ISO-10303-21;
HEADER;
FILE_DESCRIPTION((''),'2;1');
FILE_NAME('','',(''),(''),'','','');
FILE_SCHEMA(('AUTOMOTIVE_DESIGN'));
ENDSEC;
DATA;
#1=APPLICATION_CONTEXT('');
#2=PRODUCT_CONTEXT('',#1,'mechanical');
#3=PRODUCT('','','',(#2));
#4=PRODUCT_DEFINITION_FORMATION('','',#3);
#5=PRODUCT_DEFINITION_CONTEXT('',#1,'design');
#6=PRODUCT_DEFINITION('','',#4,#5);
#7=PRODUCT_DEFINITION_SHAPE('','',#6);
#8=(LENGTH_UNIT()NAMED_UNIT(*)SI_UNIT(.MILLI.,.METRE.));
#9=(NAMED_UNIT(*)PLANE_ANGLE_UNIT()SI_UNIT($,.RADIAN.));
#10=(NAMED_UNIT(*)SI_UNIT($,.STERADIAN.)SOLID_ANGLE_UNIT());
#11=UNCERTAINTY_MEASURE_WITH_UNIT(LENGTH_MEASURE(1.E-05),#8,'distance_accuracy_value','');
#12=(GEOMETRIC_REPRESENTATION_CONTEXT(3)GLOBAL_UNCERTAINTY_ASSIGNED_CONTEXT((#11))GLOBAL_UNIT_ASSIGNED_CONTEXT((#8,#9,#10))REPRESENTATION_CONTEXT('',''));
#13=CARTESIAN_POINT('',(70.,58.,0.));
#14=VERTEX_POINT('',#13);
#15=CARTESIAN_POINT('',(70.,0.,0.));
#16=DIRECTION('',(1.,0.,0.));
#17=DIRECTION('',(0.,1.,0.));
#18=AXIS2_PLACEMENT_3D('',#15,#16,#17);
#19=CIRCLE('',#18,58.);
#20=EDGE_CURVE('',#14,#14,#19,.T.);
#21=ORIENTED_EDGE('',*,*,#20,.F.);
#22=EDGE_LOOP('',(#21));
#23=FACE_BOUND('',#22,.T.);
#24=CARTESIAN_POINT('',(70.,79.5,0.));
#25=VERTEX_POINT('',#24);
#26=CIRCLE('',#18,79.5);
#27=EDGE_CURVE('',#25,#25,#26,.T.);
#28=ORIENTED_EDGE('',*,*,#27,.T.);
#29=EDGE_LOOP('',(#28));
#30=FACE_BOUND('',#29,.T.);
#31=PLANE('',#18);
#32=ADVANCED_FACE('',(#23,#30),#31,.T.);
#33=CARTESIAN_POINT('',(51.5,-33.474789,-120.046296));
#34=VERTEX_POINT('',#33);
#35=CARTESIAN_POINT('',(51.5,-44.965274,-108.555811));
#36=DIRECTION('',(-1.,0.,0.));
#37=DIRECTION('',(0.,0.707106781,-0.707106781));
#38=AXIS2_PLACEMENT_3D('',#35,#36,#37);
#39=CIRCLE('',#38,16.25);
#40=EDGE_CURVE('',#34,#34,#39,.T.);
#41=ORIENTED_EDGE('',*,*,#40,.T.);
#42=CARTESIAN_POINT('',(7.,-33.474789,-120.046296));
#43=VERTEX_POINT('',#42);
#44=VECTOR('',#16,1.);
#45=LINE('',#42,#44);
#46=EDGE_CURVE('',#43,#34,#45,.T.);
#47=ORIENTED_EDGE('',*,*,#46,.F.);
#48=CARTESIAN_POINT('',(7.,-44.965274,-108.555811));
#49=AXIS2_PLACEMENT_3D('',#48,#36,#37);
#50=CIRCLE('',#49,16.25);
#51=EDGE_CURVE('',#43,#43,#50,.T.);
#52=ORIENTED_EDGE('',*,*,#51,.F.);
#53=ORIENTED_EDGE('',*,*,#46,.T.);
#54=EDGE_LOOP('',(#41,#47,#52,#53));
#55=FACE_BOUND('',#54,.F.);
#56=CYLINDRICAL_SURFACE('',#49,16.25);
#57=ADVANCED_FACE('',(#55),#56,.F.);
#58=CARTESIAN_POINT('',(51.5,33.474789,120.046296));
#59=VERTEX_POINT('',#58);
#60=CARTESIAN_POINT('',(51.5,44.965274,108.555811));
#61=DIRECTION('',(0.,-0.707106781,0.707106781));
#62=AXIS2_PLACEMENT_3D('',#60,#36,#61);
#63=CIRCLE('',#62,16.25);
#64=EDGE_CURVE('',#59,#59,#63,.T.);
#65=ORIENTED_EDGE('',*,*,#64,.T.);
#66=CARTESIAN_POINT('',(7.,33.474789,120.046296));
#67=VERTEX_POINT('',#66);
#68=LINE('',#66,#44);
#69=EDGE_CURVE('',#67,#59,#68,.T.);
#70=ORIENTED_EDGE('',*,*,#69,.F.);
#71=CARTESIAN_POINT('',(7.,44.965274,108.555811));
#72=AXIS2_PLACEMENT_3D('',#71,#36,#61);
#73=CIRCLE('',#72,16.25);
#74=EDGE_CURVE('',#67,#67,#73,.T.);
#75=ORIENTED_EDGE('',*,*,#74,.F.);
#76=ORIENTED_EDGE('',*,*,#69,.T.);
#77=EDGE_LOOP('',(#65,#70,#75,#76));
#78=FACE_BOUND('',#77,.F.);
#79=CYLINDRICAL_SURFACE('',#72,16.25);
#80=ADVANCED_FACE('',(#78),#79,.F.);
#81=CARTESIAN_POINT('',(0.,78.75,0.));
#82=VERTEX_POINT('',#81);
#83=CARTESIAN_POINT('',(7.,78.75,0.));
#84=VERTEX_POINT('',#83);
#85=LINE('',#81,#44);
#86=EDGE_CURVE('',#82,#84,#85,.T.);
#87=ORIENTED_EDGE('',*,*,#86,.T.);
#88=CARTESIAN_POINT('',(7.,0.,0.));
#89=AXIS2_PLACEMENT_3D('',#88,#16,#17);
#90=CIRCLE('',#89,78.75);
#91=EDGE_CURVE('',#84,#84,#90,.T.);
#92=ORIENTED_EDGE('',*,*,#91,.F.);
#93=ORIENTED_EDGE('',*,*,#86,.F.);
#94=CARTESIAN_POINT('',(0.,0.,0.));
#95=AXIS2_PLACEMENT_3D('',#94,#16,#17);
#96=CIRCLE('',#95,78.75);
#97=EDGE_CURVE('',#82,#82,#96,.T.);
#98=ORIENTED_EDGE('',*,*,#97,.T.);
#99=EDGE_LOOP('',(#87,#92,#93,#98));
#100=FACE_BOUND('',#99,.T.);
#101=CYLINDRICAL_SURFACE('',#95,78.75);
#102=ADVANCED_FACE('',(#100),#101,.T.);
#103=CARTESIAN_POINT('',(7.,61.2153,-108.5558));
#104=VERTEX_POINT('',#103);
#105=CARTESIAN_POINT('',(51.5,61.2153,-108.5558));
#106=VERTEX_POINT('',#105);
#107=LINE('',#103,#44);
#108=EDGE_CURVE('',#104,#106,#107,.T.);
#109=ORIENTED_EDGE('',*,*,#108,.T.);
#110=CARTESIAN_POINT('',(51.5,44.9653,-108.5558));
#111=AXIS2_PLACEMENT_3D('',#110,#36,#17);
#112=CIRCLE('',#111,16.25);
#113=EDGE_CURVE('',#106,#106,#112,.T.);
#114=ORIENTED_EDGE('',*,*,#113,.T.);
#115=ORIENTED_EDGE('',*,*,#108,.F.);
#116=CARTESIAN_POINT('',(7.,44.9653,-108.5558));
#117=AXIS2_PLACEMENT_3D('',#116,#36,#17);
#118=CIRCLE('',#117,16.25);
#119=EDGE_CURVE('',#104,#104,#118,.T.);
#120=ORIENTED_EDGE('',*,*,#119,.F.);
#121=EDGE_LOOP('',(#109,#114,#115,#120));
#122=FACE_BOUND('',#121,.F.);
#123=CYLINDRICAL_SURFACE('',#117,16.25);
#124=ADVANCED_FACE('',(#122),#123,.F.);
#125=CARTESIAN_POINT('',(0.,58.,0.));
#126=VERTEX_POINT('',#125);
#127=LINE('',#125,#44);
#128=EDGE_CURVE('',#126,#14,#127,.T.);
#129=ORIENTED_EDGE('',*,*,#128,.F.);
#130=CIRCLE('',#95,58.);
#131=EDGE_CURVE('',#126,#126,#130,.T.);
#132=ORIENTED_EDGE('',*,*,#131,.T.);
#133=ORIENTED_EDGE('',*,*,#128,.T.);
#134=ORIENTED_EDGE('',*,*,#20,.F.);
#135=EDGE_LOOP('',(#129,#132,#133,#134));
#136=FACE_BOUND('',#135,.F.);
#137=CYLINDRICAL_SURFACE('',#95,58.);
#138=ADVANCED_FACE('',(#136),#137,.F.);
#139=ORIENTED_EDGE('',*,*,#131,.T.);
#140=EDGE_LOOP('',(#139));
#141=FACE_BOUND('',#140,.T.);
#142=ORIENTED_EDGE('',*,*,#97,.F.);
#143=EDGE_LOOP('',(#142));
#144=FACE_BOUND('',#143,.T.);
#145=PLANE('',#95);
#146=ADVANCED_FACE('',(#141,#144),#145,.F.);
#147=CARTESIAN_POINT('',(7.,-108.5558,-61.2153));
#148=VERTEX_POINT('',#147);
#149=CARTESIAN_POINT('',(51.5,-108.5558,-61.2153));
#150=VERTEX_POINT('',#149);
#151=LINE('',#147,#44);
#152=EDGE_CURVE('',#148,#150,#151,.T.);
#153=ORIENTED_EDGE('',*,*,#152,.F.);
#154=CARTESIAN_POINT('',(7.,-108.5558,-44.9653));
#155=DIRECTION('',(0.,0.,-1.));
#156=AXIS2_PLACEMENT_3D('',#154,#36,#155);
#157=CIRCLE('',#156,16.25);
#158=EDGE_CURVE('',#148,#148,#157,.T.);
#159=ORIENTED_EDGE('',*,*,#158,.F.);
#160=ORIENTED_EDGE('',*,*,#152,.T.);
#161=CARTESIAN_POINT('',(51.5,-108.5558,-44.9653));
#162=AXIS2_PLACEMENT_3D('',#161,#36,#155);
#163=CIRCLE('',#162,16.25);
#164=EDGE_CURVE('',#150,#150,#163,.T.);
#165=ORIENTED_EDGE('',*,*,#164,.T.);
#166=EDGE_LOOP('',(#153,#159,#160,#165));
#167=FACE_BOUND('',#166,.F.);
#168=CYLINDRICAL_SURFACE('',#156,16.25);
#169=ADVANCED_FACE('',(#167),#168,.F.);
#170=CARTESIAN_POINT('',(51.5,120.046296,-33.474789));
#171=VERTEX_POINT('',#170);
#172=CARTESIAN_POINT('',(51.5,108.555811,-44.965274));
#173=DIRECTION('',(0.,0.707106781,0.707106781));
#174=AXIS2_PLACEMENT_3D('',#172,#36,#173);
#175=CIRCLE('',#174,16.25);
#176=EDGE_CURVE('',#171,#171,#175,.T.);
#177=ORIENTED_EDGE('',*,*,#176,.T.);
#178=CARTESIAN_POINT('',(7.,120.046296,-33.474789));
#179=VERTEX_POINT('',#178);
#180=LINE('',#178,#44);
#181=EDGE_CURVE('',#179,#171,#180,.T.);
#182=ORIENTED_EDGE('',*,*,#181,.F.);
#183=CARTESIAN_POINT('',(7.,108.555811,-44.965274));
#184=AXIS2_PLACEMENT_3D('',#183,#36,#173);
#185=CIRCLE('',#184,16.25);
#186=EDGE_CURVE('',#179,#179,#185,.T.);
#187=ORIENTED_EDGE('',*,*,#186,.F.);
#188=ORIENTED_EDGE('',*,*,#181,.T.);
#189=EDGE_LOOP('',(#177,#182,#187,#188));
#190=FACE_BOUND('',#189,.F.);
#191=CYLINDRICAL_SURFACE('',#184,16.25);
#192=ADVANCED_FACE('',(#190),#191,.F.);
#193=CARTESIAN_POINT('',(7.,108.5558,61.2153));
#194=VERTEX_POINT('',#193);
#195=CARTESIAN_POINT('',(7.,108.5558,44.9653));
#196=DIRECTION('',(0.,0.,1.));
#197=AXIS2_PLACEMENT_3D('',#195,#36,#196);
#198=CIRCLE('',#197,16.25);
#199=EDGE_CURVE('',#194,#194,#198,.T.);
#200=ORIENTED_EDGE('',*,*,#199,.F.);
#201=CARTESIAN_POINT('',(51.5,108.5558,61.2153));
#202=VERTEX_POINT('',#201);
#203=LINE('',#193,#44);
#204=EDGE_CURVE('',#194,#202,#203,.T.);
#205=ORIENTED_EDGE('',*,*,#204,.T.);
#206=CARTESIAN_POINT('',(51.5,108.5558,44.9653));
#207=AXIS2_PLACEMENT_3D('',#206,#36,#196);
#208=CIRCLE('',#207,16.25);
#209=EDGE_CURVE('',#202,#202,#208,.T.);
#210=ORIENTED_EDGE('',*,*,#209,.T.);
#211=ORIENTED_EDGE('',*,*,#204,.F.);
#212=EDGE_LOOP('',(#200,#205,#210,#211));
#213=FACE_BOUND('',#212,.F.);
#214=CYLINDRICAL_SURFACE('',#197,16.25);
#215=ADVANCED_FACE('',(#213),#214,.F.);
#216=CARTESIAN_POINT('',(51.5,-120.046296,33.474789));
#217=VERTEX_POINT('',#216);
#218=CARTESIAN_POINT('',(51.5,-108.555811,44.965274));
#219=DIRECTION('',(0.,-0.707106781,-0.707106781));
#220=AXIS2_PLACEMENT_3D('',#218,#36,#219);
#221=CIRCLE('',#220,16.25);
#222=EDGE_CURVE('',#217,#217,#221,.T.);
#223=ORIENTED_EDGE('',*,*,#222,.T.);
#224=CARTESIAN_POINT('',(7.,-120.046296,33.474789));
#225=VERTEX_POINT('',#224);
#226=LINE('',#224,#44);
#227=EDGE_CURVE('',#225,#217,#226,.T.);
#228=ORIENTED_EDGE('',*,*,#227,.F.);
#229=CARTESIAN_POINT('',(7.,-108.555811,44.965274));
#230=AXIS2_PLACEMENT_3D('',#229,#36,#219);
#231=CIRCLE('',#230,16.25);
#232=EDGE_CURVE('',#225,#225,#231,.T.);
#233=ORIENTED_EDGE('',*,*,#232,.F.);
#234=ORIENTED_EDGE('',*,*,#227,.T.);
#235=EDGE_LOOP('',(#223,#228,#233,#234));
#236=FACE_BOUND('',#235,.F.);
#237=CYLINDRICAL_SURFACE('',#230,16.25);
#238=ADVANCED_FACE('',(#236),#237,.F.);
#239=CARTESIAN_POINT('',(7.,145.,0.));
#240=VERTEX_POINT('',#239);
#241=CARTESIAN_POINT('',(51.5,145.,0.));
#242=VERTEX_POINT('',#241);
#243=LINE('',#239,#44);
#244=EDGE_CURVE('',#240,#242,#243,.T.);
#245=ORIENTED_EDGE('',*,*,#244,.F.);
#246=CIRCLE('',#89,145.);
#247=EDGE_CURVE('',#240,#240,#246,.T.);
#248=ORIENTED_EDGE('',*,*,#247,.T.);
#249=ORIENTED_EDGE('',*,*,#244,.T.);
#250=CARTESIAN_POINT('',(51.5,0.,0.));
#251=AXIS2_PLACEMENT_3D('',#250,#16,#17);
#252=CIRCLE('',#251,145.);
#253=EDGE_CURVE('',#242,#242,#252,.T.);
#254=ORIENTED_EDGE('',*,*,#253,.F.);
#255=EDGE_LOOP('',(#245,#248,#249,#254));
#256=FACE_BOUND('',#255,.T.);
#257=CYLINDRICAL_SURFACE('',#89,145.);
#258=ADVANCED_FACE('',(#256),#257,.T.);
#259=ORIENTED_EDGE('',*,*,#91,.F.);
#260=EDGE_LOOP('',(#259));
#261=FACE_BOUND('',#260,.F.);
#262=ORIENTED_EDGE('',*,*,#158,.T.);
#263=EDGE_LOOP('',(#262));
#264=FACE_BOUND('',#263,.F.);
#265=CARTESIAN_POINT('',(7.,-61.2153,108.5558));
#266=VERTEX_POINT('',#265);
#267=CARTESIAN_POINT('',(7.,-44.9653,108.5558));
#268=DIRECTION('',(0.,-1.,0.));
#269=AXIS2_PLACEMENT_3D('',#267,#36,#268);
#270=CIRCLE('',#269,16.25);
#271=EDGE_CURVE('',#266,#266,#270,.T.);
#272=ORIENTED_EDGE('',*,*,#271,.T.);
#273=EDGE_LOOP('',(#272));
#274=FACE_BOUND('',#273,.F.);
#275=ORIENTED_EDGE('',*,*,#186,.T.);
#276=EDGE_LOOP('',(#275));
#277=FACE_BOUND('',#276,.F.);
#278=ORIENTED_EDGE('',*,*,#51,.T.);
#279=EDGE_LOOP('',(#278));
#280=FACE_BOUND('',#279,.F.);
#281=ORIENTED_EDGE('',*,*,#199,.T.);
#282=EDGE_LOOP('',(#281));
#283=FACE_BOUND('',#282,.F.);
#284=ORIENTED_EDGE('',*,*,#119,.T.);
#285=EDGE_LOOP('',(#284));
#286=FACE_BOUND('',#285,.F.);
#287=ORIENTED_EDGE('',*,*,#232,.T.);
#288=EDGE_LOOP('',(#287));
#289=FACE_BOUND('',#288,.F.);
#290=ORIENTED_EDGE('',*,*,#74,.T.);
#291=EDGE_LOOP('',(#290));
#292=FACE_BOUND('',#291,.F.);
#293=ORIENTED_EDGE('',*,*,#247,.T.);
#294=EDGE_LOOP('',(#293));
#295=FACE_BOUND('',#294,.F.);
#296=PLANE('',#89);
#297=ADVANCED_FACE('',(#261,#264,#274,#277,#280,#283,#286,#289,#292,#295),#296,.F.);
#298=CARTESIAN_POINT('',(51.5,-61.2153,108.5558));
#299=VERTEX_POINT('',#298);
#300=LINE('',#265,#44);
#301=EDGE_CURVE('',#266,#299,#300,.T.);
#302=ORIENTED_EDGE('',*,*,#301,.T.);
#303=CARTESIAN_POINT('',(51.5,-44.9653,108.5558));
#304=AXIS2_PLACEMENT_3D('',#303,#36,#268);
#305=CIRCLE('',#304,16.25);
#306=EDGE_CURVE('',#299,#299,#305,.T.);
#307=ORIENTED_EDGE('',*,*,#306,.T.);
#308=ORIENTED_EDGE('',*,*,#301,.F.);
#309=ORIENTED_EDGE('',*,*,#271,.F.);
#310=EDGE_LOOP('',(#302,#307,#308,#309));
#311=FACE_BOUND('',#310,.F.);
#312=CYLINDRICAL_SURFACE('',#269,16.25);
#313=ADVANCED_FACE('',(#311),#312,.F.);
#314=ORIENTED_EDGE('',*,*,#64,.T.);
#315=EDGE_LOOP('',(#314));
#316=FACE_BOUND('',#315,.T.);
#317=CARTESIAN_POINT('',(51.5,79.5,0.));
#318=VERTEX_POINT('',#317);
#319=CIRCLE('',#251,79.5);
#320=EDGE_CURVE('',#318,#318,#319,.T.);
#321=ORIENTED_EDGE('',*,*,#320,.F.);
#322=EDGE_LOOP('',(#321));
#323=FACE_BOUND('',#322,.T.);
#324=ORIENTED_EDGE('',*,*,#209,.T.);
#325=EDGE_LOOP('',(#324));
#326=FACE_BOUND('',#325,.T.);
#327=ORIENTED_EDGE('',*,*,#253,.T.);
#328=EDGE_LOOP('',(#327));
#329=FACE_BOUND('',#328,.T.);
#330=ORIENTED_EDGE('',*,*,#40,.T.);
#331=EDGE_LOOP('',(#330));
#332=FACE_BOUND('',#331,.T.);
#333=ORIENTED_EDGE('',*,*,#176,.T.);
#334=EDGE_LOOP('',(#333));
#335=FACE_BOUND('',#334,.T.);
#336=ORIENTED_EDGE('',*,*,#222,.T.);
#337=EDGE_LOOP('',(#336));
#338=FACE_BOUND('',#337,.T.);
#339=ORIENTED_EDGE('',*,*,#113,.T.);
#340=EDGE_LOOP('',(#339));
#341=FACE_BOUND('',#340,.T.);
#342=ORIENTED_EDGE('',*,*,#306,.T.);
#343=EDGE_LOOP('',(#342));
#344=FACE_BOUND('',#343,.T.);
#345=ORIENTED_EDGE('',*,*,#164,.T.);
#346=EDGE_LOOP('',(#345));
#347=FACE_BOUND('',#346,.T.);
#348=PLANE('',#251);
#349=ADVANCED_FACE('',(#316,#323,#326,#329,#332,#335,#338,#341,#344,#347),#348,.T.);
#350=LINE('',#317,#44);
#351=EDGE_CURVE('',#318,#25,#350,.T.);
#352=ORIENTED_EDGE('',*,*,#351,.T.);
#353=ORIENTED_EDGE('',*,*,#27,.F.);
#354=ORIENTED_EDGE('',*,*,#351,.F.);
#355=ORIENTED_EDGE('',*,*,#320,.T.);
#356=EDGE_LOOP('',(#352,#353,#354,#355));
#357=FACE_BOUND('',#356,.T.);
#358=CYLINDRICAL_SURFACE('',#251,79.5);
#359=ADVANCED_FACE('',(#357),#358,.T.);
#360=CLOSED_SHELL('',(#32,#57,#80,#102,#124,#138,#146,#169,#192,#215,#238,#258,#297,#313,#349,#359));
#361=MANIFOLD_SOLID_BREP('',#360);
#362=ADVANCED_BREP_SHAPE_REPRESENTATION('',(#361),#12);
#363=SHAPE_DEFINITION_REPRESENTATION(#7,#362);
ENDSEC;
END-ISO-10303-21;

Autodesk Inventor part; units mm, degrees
ref_plane "YZ Plane" through (0, 0, 0) normal (1, 0, 0) x (0, 1, 0)
ref_plane "XZ Plane" through (0, 0, 0) normal (0, 1, 0) x (-1, 0, 0)
ref_plane "XY Plane" through (0, 0, 0) normal (0, 0, 1) x (1, 0, 0)
sketch "Sketch1" plane through (0, 0, 0) normal (0, 0, 1) x (1, 0, 0)
  line L0 (0, 0) -> (70, 0) construction
  line L1 (0, 58) -> (0, 78.75)
  line L2 (0, 78.75) -> (7, 78.75)
  line L3 (7, 145) -> (51.5, 145)
  line L4 (0, 58) -> (0, 0) construction
  line L5 (7, 145) -> (7, 78.75)
  line L6 (51.5, 145) -> (51.5, 79.5)
  line L7 (0, 58) -> (70, 58)
  line L8 (70, 58) -> (70, 0) construction
  line L9 (51.5, 79.5) -> (70, 79.5)
  line L10 (70, 79.5) -> (70, 58)
  dimension "d0" = 157.5
  dimension "d1" = 290
  dimension "d2" = 159
  dimension "d3" = 7
  dimension "d8" = 70
  dimension "d9" = 116
  dimension "d10" = 44.5
revolve "Revolution1" add sketch "Sketch1" angle 360 about axis through (0, 0, 0) along (1, 0, 0)
sketch "Sketch2" plane through (7, 0, 0) normal (-1, 0, 0) x (0, 0, 1)
  circle A0 centre (0, 0) radius 78.75 projected
  line L0 (0, 0) -> (0, 117.5) construction
  circle A1 centre (0, 0) radius 145 projected
  circle A2 centre (0, 0) radius 117.5 construction
  line L1 (0, 0) -> (44.9653, 108.5558) construction
  circle A3 centre (44.9653, 108.5558) radius 16.25
  dimension "d12" = 32.5
  dimension "d13" = 235
  dimension "d14" = 22.5
extrude "Extrusion1" cut sketch "Sketch2" against normal blind 44.5 contours A3
pattern_circular "Circular Pattern1" count 8 over 360 about axis through (3.5, 0, 0) along (1, 0, 0) of "Extrusion1"
equation "\"d0\" = D1"
equation "\"d1\" = D"
equation "\"d2\" = N2"
equation "\"d3\" = F2"
equation "\"d8\" = H1"
equation "\"d9\" = B1"
equation "\"d10\" = C2"
equation "\"d12\" = L"
equation "\"d13\" = K1"
equation "\"d4\" = C2"
equation "\"C2\" = 44.5"
equation "\"D\" = 290"
equation "\"K1\" = 235"
equation "\"L\" = 32.5"
equation "\"N2\" = 159"
equation "\"D1\" = 157.5"
equation "\"H1\" = 70"
equation "\"F2\" = 7"
equation "\"B1\" = 116"
equation "\"Size_Designation\" = 1.2345"
properties part number "ISO 7005-1 Hubbed Slip-On Flange for Welding Type 12 - ISO PN 150 DN100" material "Steel"
